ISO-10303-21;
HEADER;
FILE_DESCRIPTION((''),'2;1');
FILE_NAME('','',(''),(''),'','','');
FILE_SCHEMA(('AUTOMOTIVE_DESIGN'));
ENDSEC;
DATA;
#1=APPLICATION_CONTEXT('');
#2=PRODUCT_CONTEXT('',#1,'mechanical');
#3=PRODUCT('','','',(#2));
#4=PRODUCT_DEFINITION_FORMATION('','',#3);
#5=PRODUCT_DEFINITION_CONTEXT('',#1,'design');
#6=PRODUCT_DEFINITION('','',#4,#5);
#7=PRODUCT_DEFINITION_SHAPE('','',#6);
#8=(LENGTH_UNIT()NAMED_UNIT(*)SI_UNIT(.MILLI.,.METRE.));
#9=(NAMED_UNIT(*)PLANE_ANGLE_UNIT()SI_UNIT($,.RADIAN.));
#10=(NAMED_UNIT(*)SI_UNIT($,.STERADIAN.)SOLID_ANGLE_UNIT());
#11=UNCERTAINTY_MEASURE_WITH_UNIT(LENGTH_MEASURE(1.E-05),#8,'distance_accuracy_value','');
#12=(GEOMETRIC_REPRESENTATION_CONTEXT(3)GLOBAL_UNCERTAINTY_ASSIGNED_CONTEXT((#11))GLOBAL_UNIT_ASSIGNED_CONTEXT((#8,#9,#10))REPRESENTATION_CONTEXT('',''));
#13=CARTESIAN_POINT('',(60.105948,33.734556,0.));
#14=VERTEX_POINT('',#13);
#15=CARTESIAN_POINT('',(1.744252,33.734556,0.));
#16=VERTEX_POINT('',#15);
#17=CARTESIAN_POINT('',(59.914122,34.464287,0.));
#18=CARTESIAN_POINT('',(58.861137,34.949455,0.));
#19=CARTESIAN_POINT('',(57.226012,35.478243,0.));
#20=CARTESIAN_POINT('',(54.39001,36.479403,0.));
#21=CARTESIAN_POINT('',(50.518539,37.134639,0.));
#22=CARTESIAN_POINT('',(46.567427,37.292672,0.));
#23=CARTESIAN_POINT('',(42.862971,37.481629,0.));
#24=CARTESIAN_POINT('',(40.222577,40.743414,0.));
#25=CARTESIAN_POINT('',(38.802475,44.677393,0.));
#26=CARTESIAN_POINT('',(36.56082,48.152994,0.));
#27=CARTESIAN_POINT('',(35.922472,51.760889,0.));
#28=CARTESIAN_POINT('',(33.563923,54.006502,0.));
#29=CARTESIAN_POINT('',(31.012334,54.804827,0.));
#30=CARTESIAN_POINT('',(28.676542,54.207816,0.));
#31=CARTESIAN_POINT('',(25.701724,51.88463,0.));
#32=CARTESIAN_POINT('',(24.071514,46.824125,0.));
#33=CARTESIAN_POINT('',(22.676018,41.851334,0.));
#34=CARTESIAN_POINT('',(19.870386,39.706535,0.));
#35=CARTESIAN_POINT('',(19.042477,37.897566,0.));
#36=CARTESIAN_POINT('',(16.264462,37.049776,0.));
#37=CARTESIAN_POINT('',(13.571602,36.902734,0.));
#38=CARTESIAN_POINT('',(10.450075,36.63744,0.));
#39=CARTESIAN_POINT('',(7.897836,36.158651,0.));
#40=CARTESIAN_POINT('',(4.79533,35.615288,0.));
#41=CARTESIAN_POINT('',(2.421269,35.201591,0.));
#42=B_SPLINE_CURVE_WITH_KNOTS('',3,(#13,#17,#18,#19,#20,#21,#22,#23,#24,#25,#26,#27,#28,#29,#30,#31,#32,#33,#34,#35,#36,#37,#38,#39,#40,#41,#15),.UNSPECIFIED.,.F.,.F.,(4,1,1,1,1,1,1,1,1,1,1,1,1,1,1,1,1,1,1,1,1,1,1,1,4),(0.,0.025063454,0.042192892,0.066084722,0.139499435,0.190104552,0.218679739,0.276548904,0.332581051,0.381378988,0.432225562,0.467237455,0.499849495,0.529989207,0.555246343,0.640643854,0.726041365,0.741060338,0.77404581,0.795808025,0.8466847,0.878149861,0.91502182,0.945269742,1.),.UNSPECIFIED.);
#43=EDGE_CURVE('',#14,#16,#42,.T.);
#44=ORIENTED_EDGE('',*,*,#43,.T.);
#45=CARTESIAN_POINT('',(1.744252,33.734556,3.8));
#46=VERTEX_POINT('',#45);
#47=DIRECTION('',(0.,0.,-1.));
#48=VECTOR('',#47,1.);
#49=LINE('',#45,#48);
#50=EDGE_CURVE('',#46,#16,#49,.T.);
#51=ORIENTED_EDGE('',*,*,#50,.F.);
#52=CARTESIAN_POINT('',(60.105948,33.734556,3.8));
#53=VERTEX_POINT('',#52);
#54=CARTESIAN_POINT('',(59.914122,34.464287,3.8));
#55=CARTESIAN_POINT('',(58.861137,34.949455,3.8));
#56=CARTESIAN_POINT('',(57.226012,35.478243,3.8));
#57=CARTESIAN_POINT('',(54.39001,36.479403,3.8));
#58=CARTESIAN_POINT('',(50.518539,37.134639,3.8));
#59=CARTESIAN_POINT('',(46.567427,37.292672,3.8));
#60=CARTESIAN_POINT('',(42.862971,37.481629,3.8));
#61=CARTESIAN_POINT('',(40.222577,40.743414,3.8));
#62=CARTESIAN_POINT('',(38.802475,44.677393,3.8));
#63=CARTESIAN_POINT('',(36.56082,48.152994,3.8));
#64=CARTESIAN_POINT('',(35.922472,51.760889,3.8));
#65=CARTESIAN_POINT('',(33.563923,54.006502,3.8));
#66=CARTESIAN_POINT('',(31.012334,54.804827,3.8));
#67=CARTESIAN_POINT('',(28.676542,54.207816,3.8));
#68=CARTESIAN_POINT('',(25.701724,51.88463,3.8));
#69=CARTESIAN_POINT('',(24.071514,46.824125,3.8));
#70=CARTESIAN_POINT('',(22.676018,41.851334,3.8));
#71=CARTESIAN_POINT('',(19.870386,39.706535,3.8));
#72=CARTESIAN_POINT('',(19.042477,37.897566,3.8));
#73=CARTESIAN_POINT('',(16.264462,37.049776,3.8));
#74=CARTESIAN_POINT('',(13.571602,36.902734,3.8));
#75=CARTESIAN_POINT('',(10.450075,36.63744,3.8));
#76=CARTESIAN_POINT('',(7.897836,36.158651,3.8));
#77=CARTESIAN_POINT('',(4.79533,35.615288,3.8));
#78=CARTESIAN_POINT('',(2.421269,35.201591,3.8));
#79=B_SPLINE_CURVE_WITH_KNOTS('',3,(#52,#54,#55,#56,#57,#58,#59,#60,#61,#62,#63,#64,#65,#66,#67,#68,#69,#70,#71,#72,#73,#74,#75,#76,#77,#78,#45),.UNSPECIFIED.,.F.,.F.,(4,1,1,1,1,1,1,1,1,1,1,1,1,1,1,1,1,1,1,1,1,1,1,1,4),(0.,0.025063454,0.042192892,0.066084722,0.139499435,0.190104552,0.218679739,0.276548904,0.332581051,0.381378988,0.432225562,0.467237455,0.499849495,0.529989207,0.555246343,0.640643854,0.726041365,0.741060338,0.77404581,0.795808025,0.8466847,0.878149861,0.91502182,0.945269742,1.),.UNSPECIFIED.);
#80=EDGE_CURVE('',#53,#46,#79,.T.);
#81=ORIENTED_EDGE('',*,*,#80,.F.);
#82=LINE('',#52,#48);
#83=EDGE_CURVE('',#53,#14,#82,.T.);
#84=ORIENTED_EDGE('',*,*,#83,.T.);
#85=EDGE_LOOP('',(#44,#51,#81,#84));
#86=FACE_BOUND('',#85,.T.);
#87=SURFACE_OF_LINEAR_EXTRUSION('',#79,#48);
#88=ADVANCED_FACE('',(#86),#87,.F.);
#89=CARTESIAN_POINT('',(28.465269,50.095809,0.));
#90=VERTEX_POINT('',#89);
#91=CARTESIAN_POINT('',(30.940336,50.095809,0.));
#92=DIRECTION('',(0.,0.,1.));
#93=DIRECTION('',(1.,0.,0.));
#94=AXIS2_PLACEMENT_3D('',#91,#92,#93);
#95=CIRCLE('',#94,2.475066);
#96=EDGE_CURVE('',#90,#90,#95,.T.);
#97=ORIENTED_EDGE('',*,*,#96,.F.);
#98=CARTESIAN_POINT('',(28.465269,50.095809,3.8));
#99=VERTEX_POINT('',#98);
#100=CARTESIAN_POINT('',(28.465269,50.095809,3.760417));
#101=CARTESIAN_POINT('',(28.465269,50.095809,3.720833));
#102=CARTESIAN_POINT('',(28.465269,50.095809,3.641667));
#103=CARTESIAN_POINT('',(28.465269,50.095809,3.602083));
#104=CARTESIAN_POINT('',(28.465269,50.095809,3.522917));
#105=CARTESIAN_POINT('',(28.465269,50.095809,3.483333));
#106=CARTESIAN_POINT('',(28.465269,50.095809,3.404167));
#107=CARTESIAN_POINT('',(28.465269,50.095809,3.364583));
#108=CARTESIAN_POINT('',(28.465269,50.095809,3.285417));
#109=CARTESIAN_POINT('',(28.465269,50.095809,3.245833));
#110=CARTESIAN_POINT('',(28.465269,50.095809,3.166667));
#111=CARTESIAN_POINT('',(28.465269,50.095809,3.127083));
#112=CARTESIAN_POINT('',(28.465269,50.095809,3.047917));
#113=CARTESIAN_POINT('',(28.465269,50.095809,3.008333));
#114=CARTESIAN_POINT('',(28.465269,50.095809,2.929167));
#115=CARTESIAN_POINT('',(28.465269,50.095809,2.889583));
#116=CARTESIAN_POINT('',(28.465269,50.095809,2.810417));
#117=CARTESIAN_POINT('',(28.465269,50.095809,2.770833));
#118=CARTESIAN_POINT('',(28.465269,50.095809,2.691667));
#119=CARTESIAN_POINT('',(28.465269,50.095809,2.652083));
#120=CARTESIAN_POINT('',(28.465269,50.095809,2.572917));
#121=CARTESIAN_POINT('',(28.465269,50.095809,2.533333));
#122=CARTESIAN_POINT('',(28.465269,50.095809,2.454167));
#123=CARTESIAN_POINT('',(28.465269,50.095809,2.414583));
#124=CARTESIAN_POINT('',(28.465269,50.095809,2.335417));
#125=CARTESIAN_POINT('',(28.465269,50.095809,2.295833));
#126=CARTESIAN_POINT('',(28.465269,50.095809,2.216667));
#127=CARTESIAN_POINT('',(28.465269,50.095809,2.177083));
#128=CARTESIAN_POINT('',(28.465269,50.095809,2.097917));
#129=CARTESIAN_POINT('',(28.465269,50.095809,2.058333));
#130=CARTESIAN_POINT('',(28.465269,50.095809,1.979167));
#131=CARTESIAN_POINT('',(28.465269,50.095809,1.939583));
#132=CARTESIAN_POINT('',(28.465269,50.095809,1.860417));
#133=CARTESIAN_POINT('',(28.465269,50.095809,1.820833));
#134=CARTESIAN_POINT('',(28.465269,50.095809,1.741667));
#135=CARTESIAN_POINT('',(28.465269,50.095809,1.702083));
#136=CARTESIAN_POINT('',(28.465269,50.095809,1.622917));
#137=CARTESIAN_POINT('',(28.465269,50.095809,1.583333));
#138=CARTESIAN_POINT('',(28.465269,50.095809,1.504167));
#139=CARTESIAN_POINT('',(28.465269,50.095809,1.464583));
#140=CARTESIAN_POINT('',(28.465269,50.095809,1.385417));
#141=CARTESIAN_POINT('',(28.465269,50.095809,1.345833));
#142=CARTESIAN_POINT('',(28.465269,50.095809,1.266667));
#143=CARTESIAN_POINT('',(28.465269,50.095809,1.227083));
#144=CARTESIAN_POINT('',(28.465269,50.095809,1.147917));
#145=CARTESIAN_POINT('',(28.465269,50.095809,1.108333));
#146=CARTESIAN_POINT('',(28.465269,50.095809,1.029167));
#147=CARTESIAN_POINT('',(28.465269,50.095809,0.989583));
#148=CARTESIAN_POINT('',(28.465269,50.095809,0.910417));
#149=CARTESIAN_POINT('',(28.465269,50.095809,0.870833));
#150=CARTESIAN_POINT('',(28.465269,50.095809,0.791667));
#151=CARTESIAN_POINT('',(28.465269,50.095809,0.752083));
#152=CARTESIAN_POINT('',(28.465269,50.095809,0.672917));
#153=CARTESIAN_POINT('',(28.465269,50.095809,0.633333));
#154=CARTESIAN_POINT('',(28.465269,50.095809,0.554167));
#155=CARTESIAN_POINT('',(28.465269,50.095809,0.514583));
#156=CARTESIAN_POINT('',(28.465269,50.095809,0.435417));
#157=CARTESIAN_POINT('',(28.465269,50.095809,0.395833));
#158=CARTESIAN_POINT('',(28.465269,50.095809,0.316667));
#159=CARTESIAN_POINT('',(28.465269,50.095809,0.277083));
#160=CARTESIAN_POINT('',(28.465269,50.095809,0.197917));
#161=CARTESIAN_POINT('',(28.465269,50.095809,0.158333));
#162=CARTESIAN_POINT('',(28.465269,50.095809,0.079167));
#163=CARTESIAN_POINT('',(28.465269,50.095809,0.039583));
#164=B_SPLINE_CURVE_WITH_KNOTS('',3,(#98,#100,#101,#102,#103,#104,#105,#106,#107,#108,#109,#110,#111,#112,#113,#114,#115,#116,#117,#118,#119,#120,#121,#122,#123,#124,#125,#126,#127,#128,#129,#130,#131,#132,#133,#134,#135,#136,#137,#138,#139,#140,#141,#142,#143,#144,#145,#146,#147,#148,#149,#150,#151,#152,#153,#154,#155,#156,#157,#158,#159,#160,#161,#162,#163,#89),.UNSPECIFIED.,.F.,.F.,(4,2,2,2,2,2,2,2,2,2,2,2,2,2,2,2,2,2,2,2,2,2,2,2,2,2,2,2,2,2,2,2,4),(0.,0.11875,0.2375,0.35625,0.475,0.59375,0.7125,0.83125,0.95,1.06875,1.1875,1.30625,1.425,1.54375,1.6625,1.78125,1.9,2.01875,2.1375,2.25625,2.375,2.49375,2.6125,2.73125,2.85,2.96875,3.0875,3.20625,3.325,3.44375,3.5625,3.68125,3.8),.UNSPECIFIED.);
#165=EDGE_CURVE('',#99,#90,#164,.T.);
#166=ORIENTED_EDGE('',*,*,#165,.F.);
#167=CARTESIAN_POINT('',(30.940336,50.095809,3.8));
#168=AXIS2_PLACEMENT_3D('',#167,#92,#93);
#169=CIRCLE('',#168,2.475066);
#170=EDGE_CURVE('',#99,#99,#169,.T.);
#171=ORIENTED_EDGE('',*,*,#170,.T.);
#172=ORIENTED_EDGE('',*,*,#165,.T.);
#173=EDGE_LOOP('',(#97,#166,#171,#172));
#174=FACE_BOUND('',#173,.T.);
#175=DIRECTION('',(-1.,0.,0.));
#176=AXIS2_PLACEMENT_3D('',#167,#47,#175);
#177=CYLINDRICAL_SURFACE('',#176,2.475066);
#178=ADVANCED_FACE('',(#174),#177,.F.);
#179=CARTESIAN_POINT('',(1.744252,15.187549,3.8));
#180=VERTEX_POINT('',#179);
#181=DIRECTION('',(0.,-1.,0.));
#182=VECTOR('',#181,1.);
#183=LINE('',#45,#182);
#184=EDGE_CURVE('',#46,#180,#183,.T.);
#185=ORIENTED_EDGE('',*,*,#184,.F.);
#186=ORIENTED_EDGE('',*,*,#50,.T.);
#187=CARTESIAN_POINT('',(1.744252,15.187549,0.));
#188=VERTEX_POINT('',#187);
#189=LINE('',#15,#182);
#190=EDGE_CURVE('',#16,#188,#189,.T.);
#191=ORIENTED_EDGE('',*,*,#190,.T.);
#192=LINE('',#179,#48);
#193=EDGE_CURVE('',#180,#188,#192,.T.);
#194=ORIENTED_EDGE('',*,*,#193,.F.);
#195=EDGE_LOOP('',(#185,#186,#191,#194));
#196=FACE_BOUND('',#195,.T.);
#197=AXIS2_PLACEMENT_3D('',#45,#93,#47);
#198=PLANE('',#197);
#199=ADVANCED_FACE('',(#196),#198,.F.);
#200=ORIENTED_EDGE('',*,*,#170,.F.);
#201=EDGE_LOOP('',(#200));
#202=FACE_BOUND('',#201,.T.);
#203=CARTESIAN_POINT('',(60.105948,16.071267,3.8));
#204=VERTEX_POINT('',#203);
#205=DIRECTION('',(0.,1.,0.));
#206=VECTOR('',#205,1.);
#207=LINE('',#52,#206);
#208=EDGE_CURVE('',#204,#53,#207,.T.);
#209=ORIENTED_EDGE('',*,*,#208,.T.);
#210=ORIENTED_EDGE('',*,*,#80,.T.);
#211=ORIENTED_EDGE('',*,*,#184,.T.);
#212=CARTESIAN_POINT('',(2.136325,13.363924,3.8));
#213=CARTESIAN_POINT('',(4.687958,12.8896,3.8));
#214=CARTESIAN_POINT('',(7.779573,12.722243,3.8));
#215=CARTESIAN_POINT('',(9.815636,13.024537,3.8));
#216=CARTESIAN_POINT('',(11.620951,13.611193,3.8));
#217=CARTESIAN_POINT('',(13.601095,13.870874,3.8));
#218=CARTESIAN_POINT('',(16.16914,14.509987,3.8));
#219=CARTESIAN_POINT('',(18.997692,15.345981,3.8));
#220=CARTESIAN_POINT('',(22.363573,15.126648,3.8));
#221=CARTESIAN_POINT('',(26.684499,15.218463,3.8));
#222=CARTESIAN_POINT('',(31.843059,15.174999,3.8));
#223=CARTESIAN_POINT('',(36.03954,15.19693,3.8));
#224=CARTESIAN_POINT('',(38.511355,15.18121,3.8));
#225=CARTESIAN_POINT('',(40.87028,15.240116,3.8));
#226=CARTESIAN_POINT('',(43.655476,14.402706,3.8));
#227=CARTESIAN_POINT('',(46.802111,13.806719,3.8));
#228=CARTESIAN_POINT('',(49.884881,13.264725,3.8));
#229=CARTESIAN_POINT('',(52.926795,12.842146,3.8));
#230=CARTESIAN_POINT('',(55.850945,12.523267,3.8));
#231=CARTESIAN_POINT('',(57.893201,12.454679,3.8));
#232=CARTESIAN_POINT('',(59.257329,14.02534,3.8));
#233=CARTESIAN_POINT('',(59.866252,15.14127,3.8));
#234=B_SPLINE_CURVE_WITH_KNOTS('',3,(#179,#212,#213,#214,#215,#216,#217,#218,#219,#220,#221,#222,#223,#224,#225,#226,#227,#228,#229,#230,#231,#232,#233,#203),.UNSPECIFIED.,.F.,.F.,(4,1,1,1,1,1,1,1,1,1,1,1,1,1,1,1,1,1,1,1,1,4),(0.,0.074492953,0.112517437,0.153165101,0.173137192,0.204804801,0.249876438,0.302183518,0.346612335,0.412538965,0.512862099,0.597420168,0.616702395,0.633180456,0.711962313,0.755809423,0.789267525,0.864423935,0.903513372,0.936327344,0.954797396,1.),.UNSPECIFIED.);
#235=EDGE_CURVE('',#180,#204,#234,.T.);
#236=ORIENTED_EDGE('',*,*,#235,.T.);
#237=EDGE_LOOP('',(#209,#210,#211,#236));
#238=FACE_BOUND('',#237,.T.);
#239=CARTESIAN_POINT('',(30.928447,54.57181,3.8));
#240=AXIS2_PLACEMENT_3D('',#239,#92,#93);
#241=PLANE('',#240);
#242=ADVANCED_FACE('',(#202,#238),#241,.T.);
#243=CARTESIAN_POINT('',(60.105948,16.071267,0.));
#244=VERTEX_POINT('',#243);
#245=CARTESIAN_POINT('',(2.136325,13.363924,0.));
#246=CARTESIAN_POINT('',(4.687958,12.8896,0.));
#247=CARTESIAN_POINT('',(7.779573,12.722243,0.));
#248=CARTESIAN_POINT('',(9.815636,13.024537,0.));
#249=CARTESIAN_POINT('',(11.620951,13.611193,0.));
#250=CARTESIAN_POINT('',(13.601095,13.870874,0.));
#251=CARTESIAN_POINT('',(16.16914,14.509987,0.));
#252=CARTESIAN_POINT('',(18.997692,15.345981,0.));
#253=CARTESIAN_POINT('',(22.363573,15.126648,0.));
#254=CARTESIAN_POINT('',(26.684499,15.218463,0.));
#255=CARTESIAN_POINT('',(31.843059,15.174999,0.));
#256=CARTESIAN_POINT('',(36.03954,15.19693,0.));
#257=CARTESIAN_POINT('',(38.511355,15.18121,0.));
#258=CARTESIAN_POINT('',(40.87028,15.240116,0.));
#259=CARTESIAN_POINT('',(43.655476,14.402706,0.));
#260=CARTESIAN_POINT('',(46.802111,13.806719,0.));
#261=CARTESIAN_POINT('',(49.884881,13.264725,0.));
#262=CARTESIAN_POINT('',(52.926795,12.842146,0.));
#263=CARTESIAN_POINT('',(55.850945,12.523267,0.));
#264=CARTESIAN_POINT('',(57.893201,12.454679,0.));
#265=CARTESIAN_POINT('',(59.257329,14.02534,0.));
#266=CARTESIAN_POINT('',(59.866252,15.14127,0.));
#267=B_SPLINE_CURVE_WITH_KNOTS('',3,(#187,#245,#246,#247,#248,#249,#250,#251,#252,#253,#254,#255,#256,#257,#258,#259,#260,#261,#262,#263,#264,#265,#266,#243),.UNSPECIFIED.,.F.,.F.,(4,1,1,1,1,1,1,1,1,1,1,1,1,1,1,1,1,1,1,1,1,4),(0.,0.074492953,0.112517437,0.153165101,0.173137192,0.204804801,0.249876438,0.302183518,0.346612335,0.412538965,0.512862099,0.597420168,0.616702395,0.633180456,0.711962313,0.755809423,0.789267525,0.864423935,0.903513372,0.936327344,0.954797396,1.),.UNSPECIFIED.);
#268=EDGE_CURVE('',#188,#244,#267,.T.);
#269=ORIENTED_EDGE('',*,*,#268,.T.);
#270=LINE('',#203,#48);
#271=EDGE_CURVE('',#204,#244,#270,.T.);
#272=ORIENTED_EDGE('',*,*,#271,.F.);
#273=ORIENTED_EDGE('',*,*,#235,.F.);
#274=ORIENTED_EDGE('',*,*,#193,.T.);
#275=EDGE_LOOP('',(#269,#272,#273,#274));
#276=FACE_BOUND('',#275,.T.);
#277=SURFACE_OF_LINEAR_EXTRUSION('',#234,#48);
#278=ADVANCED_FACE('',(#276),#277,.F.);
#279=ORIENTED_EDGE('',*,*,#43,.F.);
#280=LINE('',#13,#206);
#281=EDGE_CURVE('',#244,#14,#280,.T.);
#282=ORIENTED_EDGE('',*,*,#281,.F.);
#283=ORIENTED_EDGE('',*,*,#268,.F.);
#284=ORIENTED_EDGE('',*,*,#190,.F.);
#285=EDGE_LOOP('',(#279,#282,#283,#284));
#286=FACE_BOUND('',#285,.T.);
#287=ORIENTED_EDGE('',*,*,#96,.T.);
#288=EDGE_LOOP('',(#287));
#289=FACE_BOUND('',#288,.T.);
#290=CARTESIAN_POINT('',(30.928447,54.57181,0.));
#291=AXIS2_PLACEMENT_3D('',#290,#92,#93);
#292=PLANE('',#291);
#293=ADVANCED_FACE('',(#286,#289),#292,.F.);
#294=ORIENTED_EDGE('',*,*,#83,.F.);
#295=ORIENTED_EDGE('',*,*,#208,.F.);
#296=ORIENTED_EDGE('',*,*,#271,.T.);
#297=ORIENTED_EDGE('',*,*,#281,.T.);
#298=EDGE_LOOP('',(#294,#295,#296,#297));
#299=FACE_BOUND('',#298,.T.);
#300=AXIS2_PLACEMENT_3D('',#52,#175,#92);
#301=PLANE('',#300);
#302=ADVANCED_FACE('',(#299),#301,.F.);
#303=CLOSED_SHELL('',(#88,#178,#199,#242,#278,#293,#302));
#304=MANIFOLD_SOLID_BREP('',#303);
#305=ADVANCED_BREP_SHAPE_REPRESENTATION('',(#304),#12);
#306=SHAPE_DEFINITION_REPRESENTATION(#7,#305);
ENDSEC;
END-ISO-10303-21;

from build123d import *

# Parameters (mm, degrees)
SKETCH1_R      = 2.475066367
EXTRUDE1_DEPTH = 3.8


with BuildPart() as part:
    # Sketch1 → Extrude1 (new body)
    with BuildSketch(Plane.XY):
        with BuildLine():
            Line((1.744252399, 33.734555812), (1.744252399, 15.187549075))
            add(Edge.make_bspline(
                [(1.744252399, 15.187549075), (2.136324611, 13.36392355), (4.68795818, 12.88960045), (7.779573315, 12.722242733), (9.815636026, 13.024536892), (11.620950864, 13.611193239), (13.601094645, 13.870874014), (16.169139592, 14.509987394), (18.99769208, 15.345980766), (22.363573014, 15.126647638), (26.684498744, 15.218463471), (31.843059372, 15.174999451), (36.03954004, 15.196929825), (38.511354643, 15.181210133), (40.870280077, 15.240115559), (43.655475544, 14.402705521), (46.802111293, 13.806719409), (49.884880557, 13.264724773), (52.926794805, 12.842146476), (55.850945269, 12.523267373), (57.893201158, 12.454678568), (59.257328635, 14.025339517), (59.866251814, 15.141269717), (60.105948171, 16.071267101)],
                knots=[0, 0, 0, 0, 0.074492953, 0.112517437, 0.153165101, 0.173137192, 0.204804801, 0.249876438, 0.302183518, 0.346612335, 0.412538965, 0.512862099, 0.597420168, 0.616702395, 0.633180456, 0.711962313, 0.755809423, 0.789267525, 0.864423935, 0.903513372, 0.936327344, 0.954797396, 1, 1, 1, 1], degree=3))
            Line((60.105948171, 16.071267101), (60.105948171, 33.734555812))
            add(Edge.make_bspline(
                [(1.744252399, 33.734555812), (2.421268943, 35.201591323), (4.795329726, 35.615288458), (7.897835761, 36.158651314), (10.450074989, 36.637440065), (13.571601636, 36.902734108), (16.264461937, 37.0497758), (19.042477286, 37.897565571), (19.870386283, 39.706534549), (22.676018055, 41.851334177), (24.071514018, 46.824124592), (25.701724301, 51.884629608), (28.676541613, 54.207816137), (31.012333917, 54.804827204), (33.563923185, 54.006501577), (35.92247157, 51.760889045), (36.560820243, 48.152994232), (38.802475143, 44.677393091), (40.222577169, 40.743414328), (42.862970977, 37.481629443), (46.567427228, 37.292671945), (50.518538556, 37.134638936), (54.390010271, 36.479402974), (57.226012285, 35.478242519), (58.861137062, 34.949455101), (59.914122349, 34.464286868), (60.105948171, 33.734555812)],
                knots=[0, 0, 0, 0, 0.054730258, 0.08497818, 0.121850139, 0.1533153, 0.204191975, 0.22595419, 0.258939662, 0.273958635, 0.359356146, 0.444753657, 0.470010793, 0.500150505, 0.532762545, 0.567774438, 0.618621012, 0.667418949, 0.723451096, 0.781320261, 0.809895448, 0.860500565, 0.933915278, 0.957807108, 0.974936546, 1, 1, 1, 1], degree=3))
        make_face()
        with Locations(Location((30.940335645, 50.095809478, 0), (0, 0, 180))):
            Circle(SKETCH1_R, mode=Mode.SUBTRACT)
    extrude(amount=EXTRUDE1_DEPTH)


solid = part.part
